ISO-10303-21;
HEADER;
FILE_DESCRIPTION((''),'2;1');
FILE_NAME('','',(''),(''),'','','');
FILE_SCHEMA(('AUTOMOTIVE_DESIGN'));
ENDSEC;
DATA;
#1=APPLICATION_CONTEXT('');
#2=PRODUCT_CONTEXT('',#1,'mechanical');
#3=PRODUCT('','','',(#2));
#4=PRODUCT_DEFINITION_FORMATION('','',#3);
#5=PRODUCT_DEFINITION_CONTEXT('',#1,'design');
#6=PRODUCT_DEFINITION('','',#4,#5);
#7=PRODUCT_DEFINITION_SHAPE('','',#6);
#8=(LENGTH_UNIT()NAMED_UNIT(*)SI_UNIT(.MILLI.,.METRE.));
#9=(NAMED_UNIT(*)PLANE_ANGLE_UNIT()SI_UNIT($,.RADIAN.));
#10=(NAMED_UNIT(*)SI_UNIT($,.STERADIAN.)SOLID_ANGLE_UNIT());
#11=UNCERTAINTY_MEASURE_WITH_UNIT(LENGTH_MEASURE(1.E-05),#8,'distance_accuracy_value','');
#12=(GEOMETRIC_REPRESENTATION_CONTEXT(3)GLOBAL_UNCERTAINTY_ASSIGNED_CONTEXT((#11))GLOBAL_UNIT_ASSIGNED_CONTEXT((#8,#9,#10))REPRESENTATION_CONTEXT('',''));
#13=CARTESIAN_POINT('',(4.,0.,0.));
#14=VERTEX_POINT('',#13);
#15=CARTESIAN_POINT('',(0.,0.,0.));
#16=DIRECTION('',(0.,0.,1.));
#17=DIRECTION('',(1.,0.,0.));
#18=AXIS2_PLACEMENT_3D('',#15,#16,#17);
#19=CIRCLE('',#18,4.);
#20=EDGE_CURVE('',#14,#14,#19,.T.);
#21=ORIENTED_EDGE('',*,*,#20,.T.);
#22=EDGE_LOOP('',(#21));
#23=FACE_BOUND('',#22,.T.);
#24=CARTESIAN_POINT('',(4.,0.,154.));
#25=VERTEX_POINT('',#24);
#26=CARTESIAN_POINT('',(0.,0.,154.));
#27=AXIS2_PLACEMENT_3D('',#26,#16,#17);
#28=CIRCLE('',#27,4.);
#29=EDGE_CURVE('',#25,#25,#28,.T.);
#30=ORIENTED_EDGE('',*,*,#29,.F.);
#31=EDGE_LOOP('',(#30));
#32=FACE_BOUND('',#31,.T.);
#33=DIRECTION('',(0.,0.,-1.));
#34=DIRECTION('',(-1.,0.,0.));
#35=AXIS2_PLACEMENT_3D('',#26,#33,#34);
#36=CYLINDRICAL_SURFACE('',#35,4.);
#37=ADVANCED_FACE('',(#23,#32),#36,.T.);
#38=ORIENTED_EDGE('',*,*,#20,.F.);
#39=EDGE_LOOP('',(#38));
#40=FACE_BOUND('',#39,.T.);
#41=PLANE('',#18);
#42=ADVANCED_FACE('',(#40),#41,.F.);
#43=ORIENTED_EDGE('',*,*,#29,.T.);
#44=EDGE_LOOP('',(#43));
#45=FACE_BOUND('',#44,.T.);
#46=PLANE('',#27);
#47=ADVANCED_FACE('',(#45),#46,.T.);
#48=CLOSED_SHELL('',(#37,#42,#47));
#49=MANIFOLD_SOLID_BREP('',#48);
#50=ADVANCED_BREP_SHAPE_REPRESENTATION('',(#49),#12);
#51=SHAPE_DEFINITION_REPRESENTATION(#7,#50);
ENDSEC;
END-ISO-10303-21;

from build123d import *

# Parameters (mm, degrees)
SKETCH_1_R      = 4
EXTRUDE_1_DEPTH = 154


with BuildPart() as part:
    # 草图1 → 凸台-拉伸1 (new body)
    with BuildSketch(Plane.XY):
        Circle(SKETCH_1_R)
    extrude(amount=EXTRUDE_1_DEPTH)


solid = part.part
